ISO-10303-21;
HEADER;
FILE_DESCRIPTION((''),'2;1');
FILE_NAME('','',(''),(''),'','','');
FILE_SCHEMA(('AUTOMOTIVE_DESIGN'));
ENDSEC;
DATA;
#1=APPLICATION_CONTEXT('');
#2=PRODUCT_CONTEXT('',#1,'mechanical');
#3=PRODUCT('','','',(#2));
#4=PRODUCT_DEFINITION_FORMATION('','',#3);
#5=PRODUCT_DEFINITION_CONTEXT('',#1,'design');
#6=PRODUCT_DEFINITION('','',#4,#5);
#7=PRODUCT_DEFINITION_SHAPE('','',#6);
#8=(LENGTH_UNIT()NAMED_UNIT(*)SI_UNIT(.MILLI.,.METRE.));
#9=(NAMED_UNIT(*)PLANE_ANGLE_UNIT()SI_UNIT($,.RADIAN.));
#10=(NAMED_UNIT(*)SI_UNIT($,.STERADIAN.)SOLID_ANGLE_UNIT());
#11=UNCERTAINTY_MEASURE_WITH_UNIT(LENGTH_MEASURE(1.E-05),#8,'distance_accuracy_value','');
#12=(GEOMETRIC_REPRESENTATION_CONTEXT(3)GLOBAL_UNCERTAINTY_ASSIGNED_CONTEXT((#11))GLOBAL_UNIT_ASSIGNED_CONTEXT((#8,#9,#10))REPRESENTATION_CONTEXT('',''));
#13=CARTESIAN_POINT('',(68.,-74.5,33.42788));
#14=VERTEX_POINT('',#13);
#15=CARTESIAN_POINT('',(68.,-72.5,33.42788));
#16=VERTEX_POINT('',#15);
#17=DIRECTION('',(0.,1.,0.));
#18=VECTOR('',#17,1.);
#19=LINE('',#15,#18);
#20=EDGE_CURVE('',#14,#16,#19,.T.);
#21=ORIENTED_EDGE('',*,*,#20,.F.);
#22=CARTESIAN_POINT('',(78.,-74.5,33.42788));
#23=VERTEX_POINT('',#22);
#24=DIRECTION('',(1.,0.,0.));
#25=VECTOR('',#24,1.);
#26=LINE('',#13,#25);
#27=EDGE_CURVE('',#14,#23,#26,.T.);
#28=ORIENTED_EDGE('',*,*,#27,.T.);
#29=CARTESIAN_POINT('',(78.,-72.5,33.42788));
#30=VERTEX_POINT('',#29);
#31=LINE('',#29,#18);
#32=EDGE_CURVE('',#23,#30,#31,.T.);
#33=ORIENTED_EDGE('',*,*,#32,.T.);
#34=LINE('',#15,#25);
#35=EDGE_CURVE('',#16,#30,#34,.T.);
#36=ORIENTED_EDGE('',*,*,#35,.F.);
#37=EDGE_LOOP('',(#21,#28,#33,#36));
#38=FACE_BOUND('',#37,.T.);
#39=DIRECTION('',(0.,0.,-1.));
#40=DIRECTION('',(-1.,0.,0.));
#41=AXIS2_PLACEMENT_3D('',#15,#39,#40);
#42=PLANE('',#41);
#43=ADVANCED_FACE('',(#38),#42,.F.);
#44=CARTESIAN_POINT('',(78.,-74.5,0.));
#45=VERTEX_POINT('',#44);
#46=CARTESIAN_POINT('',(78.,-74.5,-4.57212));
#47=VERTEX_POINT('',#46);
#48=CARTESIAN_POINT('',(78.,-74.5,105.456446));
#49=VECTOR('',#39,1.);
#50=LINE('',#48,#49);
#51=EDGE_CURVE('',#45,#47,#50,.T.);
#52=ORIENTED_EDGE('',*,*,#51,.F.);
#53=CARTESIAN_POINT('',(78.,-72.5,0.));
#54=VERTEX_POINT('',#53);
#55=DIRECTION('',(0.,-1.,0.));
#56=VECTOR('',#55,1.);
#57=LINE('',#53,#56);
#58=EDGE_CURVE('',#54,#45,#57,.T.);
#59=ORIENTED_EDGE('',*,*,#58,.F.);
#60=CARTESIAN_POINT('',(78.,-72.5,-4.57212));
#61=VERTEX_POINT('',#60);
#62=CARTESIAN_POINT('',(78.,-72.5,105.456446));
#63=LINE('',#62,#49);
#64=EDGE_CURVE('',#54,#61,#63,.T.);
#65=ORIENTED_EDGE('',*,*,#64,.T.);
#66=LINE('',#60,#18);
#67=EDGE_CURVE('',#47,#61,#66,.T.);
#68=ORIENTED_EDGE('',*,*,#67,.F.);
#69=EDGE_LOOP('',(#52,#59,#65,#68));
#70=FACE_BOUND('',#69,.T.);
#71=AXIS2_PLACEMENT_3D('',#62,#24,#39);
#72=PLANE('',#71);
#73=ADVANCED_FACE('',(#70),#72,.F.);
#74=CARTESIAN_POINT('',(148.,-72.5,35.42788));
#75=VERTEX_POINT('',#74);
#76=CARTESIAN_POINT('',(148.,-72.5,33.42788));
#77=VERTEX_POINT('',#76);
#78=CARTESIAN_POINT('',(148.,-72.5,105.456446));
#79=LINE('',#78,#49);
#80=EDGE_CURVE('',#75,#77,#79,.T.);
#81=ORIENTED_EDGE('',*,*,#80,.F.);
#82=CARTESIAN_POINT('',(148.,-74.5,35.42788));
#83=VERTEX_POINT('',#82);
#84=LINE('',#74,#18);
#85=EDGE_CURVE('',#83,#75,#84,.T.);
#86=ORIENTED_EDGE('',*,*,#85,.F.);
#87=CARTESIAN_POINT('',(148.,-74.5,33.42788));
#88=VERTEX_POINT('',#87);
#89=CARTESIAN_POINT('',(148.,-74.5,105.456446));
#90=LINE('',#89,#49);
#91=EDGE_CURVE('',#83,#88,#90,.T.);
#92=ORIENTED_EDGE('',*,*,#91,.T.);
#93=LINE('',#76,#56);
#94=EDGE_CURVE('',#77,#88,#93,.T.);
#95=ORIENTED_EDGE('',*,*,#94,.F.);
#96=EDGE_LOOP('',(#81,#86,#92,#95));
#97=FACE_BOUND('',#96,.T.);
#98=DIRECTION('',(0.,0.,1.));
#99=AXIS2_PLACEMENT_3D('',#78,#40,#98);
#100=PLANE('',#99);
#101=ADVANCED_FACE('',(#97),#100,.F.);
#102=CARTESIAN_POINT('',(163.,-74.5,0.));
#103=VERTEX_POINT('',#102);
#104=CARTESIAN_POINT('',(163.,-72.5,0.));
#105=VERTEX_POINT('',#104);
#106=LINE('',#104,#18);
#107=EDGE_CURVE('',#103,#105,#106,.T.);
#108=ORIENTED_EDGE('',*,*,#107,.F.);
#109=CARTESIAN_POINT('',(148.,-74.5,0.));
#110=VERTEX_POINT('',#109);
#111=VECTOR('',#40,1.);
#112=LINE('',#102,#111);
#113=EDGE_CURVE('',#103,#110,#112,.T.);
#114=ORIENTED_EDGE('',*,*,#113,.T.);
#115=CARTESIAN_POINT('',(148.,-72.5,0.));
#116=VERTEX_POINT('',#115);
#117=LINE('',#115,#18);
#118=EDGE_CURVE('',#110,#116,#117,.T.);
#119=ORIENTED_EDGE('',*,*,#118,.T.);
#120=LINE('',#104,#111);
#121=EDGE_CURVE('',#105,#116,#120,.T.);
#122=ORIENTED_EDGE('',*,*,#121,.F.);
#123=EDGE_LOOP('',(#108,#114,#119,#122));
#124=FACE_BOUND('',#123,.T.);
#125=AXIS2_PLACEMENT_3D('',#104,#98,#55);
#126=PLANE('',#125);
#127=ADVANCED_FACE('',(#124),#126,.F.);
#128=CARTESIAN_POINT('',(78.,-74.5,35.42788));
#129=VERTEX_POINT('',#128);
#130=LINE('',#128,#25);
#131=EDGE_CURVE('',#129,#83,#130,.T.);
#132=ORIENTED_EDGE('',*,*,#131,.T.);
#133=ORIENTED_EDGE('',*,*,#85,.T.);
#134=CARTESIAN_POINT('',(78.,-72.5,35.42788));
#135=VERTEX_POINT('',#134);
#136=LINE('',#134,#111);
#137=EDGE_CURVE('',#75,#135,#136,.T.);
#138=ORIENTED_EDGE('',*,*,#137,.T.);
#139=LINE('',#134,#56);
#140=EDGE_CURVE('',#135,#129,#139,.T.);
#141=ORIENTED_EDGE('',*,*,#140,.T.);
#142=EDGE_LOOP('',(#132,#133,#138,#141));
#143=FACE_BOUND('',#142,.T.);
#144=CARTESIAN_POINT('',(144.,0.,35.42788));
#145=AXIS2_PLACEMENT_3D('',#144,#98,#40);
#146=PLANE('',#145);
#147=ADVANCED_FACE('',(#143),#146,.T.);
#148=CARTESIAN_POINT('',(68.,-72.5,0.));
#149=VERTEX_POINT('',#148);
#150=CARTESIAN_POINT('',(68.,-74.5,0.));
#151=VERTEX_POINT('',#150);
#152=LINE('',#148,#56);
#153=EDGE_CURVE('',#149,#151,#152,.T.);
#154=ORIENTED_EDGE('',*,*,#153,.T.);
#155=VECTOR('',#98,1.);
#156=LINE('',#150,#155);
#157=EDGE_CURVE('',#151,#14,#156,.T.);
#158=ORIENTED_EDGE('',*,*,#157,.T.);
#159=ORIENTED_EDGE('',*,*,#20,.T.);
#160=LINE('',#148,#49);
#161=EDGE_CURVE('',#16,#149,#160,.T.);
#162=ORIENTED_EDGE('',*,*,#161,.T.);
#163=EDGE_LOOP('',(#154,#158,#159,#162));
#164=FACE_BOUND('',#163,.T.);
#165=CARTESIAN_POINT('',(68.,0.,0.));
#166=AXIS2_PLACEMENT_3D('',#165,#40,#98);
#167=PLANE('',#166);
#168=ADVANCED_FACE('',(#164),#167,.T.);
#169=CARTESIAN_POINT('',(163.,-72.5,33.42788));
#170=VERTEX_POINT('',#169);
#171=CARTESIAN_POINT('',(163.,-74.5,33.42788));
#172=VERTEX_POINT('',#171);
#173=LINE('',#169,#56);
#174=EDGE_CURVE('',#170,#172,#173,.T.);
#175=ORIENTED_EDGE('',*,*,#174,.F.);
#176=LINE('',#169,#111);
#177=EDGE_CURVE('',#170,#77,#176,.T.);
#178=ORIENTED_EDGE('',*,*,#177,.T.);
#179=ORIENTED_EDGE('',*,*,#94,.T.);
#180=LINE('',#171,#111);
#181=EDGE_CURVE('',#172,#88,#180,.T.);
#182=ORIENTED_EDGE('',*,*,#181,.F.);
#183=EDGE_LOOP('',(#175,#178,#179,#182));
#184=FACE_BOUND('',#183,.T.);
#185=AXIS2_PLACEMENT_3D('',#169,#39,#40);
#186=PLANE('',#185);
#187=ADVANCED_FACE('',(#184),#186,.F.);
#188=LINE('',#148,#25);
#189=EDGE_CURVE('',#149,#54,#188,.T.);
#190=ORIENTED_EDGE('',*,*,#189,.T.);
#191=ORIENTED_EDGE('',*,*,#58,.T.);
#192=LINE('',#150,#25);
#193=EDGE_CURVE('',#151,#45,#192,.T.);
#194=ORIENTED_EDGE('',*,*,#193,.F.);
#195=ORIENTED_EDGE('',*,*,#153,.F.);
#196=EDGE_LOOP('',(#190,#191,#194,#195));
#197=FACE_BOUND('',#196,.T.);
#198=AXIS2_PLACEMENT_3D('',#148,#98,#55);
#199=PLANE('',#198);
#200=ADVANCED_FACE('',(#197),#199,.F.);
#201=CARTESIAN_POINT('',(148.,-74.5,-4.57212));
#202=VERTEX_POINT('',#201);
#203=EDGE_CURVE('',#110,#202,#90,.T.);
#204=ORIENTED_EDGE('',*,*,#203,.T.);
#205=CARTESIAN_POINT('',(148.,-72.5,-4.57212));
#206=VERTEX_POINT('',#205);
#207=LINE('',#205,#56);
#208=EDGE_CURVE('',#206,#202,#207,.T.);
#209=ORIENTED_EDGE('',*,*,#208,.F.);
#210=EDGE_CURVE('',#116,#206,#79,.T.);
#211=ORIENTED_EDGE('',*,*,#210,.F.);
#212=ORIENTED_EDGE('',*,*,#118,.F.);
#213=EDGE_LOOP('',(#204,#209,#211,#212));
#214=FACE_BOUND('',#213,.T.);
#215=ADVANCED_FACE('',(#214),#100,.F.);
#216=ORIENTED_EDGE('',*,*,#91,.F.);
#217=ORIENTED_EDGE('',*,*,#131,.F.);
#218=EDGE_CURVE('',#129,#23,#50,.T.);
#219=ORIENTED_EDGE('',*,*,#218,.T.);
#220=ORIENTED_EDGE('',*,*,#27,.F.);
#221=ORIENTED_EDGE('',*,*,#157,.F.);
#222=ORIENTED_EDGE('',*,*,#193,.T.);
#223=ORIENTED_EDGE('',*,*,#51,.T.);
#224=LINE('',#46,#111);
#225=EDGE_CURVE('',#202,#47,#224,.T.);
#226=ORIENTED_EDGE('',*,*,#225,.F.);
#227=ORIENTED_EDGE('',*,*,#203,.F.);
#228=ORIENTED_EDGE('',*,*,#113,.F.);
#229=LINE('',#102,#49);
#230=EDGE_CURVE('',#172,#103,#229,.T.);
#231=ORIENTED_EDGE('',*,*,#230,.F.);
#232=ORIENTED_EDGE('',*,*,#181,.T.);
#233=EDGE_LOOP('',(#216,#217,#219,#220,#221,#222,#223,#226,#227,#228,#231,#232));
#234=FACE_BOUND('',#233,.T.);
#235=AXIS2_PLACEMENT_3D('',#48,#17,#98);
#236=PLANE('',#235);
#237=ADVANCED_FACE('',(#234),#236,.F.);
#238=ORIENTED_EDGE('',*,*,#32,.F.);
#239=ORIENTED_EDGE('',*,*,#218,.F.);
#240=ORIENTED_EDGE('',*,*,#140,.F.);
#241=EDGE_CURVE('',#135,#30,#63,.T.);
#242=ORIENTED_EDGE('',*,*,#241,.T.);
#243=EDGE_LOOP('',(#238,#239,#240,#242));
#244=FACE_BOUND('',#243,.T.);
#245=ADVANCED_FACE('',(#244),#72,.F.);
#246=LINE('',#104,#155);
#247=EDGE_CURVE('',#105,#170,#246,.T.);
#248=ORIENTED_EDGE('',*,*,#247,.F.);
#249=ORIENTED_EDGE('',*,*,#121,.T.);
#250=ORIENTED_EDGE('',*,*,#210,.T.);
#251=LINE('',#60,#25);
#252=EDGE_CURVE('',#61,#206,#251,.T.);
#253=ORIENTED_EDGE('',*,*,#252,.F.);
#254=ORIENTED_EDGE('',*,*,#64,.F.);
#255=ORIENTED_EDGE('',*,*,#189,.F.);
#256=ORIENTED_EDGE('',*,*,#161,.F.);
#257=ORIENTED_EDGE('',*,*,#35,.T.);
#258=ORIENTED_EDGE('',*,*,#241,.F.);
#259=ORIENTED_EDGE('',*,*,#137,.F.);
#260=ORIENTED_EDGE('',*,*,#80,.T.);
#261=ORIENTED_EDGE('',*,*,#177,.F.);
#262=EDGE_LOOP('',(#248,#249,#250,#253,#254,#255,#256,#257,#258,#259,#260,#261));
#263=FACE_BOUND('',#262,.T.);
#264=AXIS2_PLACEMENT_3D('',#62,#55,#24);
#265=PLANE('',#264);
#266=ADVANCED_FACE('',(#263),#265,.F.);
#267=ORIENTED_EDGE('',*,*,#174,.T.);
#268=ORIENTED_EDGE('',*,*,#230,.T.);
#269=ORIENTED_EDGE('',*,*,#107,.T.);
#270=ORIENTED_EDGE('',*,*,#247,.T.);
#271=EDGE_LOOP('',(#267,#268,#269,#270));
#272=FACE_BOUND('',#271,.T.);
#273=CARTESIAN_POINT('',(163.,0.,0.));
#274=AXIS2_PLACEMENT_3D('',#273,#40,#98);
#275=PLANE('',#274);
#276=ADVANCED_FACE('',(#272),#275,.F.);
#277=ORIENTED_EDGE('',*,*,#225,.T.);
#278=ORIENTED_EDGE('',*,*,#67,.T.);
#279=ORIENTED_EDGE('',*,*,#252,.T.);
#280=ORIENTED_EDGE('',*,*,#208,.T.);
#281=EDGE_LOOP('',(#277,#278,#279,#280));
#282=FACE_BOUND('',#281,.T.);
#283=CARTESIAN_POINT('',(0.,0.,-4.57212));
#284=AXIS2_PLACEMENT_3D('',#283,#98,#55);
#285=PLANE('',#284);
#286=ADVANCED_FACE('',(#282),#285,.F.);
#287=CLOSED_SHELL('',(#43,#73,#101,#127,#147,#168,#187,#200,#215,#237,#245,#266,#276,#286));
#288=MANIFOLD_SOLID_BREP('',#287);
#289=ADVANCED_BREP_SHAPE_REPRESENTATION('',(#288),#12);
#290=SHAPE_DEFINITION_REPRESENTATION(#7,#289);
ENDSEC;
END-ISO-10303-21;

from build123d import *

# Parameters (mm, degrees)
ESTRUSIONE_ESTRUSIONE1_DEPTH      = 35.42788
ESTRUSIONE_ESTRUSIONE1_DEPTH_BACK = 4.57212
SCHIZZO1_W                        = 70
SCHIZZO1_H                        = 2
SCHIZZO2_W                        = 33.42788034
SCHIZZO2_H                        = 2
ESTRUSIONE_ESTRUSIONE2_DEPTH      = 15
SCHIZZO3_W                        = 33.42788034
SCHIZZO3_H                        = 2
ESTRUSIONE_ESTRUSIONE3_DEPTH      = 10


with BuildPart() as part:
    # Schizzo1 → Estrusione-Estrusione1 (new, two sides: drawn at the far end of the back side and taken through both)
    with BuildSketch(Plane.XY.offset(-ESTRUSIONE_ESTRUSIONE1_DEPTH_BACK)):
        with Locations((113, -73.5)):
            Rectangle(SCHIZZO1_W, SCHIZZO1_H)
    extrude(amount=ESTRUSIONE_ESTRUSIONE1_DEPTH + ESTRUSIONE_ESTRUSIONE1_DEPTH_BACK)

    # Schizzo2 → Estrusione-Estrusione2 (add)
    with BuildSketch(Plane(origin=(148, 0, 0), x_dir=(0, 0, -1), z_dir=(1, 0, 0))):
        with Locations((-16.71394017, -73.5)):
            Rectangle(SCHIZZO2_W, SCHIZZO2_H)
    extrude(amount=ESTRUSIONE_ESTRUSIONE2_DEPTH)

    # Schizzo3 → Estrusione-Estrusione3 (add)
    with BuildSketch(Plane.ZY.offset(-78)):
        with Locations((16.71394017, -73.5)):
            Rectangle(SCHIZZO3_W, SCHIZZO3_H)
    extrude(amount=ESTRUSIONE_ESTRUSIONE3_DEPTH)


solid = part.part
